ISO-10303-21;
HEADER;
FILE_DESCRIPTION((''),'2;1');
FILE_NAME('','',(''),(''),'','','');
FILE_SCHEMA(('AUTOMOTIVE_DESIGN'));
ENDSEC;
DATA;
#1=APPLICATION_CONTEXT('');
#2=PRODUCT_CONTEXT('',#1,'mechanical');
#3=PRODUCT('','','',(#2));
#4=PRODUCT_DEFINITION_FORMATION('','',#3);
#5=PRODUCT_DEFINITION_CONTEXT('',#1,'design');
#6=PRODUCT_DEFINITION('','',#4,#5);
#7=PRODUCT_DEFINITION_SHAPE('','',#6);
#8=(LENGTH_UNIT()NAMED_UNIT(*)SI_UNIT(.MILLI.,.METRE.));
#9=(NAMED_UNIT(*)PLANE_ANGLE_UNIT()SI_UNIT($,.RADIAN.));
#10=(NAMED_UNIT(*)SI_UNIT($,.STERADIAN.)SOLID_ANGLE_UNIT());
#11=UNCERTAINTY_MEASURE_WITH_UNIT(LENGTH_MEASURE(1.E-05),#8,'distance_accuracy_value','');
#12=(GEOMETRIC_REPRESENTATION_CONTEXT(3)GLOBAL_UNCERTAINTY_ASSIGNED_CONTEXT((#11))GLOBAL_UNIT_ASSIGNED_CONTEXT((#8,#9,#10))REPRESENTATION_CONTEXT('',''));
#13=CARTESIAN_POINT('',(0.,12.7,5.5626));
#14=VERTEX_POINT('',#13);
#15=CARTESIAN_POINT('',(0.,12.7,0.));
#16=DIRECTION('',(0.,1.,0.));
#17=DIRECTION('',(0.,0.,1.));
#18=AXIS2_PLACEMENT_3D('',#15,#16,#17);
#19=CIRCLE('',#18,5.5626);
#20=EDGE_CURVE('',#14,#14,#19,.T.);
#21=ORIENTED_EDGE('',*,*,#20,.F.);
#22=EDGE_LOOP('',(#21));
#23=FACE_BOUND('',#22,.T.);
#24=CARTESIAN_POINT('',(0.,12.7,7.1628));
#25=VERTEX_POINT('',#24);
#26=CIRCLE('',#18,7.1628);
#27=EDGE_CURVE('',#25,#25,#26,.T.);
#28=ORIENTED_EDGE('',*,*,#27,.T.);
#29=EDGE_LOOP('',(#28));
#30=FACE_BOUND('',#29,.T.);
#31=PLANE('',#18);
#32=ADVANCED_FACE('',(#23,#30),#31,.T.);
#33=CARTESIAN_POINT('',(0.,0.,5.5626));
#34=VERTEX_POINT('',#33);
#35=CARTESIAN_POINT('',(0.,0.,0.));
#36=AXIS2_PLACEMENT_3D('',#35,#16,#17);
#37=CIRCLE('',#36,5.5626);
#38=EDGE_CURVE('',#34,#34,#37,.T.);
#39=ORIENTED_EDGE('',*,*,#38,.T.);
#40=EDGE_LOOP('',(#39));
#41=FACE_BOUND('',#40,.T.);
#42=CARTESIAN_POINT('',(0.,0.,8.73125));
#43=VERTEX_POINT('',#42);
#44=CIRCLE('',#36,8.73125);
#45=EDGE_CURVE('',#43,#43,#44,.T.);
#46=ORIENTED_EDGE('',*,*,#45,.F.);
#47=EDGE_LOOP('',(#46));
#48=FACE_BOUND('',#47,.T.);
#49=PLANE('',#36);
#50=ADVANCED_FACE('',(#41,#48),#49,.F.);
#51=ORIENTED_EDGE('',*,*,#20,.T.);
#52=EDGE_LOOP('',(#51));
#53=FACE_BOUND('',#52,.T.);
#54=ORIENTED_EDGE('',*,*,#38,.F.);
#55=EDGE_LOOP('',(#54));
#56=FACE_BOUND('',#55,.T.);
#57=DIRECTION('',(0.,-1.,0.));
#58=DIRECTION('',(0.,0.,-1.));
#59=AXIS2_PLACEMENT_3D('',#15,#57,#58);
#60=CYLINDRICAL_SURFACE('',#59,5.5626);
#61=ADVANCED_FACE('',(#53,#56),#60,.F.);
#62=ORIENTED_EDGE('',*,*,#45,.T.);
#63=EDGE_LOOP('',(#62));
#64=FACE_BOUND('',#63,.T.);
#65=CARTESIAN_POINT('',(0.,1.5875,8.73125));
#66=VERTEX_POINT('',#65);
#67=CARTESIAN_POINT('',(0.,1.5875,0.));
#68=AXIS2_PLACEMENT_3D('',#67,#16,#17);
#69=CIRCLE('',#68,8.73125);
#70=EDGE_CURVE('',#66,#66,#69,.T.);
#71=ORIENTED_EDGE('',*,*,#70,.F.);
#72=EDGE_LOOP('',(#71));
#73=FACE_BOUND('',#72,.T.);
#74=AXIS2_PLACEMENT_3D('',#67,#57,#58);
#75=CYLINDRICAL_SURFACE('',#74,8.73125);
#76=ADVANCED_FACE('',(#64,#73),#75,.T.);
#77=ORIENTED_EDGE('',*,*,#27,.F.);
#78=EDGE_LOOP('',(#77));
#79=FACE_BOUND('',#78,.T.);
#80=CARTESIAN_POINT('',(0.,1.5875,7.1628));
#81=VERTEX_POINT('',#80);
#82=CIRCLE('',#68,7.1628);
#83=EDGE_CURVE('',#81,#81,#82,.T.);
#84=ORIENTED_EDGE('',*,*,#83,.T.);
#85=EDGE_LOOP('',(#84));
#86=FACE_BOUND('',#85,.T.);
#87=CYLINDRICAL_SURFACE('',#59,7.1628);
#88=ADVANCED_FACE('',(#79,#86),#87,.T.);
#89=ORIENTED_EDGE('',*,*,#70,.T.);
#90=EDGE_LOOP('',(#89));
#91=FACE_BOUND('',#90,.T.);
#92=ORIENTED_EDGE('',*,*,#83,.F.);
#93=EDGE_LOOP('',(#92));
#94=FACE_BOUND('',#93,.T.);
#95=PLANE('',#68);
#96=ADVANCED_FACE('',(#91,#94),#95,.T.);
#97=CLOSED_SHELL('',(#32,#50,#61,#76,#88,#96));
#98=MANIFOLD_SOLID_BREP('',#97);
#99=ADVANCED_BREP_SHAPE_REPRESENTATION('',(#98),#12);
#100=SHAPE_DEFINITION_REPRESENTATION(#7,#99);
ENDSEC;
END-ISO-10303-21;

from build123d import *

# Parameters (mm, degrees)
SKETCH2_R           = 7.1628
SKETCH2_R_2         = 5.5626
BOSS_EXTRUDE1_DEPTH = 12.7
SKETCH3_R           = 8.73125
SKETCH3_R_2         = 7.1628
BOSS_EXTRUDE2_DEPTH = 1.5875


with BuildPart() as part:
    # Sketch2 → Boss-Extrude1 (new body)
    with BuildSketch(Plane(origin=(0, 0, 0), x_dir=(1, 0, 0), z_dir=(0, 1, 0))):
        with Locations(Location((0, 0, 0), (0, 0, 270))):
            Circle(SKETCH2_R)
        with Locations(Location((0, 0, 0), (0, 0, 270))):
            Circle(SKETCH2_R_2, mode=Mode.SUBTRACT)
    extrude(amount=BOSS_EXTRUDE1_DEPTH)

    # Sketch3 → Boss-Extrude2 (add)
    with BuildSketch(Plane(origin=(0, 0, 0), x_dir=(1, 0, 0), z_dir=(0, 1, 0))):
        with Locations(Location((0, 0, 0), (0, 0, 270))):
            Circle(SKETCH3_R)
        with Locations(Location((0, 0, 0), (0, 0, 270))):
            Circle(SKETCH3_R_2, mode=Mode.SUBTRACT)
    extrude(amount=BOSS_EXTRUDE2_DEPTH)


solid = part.part
